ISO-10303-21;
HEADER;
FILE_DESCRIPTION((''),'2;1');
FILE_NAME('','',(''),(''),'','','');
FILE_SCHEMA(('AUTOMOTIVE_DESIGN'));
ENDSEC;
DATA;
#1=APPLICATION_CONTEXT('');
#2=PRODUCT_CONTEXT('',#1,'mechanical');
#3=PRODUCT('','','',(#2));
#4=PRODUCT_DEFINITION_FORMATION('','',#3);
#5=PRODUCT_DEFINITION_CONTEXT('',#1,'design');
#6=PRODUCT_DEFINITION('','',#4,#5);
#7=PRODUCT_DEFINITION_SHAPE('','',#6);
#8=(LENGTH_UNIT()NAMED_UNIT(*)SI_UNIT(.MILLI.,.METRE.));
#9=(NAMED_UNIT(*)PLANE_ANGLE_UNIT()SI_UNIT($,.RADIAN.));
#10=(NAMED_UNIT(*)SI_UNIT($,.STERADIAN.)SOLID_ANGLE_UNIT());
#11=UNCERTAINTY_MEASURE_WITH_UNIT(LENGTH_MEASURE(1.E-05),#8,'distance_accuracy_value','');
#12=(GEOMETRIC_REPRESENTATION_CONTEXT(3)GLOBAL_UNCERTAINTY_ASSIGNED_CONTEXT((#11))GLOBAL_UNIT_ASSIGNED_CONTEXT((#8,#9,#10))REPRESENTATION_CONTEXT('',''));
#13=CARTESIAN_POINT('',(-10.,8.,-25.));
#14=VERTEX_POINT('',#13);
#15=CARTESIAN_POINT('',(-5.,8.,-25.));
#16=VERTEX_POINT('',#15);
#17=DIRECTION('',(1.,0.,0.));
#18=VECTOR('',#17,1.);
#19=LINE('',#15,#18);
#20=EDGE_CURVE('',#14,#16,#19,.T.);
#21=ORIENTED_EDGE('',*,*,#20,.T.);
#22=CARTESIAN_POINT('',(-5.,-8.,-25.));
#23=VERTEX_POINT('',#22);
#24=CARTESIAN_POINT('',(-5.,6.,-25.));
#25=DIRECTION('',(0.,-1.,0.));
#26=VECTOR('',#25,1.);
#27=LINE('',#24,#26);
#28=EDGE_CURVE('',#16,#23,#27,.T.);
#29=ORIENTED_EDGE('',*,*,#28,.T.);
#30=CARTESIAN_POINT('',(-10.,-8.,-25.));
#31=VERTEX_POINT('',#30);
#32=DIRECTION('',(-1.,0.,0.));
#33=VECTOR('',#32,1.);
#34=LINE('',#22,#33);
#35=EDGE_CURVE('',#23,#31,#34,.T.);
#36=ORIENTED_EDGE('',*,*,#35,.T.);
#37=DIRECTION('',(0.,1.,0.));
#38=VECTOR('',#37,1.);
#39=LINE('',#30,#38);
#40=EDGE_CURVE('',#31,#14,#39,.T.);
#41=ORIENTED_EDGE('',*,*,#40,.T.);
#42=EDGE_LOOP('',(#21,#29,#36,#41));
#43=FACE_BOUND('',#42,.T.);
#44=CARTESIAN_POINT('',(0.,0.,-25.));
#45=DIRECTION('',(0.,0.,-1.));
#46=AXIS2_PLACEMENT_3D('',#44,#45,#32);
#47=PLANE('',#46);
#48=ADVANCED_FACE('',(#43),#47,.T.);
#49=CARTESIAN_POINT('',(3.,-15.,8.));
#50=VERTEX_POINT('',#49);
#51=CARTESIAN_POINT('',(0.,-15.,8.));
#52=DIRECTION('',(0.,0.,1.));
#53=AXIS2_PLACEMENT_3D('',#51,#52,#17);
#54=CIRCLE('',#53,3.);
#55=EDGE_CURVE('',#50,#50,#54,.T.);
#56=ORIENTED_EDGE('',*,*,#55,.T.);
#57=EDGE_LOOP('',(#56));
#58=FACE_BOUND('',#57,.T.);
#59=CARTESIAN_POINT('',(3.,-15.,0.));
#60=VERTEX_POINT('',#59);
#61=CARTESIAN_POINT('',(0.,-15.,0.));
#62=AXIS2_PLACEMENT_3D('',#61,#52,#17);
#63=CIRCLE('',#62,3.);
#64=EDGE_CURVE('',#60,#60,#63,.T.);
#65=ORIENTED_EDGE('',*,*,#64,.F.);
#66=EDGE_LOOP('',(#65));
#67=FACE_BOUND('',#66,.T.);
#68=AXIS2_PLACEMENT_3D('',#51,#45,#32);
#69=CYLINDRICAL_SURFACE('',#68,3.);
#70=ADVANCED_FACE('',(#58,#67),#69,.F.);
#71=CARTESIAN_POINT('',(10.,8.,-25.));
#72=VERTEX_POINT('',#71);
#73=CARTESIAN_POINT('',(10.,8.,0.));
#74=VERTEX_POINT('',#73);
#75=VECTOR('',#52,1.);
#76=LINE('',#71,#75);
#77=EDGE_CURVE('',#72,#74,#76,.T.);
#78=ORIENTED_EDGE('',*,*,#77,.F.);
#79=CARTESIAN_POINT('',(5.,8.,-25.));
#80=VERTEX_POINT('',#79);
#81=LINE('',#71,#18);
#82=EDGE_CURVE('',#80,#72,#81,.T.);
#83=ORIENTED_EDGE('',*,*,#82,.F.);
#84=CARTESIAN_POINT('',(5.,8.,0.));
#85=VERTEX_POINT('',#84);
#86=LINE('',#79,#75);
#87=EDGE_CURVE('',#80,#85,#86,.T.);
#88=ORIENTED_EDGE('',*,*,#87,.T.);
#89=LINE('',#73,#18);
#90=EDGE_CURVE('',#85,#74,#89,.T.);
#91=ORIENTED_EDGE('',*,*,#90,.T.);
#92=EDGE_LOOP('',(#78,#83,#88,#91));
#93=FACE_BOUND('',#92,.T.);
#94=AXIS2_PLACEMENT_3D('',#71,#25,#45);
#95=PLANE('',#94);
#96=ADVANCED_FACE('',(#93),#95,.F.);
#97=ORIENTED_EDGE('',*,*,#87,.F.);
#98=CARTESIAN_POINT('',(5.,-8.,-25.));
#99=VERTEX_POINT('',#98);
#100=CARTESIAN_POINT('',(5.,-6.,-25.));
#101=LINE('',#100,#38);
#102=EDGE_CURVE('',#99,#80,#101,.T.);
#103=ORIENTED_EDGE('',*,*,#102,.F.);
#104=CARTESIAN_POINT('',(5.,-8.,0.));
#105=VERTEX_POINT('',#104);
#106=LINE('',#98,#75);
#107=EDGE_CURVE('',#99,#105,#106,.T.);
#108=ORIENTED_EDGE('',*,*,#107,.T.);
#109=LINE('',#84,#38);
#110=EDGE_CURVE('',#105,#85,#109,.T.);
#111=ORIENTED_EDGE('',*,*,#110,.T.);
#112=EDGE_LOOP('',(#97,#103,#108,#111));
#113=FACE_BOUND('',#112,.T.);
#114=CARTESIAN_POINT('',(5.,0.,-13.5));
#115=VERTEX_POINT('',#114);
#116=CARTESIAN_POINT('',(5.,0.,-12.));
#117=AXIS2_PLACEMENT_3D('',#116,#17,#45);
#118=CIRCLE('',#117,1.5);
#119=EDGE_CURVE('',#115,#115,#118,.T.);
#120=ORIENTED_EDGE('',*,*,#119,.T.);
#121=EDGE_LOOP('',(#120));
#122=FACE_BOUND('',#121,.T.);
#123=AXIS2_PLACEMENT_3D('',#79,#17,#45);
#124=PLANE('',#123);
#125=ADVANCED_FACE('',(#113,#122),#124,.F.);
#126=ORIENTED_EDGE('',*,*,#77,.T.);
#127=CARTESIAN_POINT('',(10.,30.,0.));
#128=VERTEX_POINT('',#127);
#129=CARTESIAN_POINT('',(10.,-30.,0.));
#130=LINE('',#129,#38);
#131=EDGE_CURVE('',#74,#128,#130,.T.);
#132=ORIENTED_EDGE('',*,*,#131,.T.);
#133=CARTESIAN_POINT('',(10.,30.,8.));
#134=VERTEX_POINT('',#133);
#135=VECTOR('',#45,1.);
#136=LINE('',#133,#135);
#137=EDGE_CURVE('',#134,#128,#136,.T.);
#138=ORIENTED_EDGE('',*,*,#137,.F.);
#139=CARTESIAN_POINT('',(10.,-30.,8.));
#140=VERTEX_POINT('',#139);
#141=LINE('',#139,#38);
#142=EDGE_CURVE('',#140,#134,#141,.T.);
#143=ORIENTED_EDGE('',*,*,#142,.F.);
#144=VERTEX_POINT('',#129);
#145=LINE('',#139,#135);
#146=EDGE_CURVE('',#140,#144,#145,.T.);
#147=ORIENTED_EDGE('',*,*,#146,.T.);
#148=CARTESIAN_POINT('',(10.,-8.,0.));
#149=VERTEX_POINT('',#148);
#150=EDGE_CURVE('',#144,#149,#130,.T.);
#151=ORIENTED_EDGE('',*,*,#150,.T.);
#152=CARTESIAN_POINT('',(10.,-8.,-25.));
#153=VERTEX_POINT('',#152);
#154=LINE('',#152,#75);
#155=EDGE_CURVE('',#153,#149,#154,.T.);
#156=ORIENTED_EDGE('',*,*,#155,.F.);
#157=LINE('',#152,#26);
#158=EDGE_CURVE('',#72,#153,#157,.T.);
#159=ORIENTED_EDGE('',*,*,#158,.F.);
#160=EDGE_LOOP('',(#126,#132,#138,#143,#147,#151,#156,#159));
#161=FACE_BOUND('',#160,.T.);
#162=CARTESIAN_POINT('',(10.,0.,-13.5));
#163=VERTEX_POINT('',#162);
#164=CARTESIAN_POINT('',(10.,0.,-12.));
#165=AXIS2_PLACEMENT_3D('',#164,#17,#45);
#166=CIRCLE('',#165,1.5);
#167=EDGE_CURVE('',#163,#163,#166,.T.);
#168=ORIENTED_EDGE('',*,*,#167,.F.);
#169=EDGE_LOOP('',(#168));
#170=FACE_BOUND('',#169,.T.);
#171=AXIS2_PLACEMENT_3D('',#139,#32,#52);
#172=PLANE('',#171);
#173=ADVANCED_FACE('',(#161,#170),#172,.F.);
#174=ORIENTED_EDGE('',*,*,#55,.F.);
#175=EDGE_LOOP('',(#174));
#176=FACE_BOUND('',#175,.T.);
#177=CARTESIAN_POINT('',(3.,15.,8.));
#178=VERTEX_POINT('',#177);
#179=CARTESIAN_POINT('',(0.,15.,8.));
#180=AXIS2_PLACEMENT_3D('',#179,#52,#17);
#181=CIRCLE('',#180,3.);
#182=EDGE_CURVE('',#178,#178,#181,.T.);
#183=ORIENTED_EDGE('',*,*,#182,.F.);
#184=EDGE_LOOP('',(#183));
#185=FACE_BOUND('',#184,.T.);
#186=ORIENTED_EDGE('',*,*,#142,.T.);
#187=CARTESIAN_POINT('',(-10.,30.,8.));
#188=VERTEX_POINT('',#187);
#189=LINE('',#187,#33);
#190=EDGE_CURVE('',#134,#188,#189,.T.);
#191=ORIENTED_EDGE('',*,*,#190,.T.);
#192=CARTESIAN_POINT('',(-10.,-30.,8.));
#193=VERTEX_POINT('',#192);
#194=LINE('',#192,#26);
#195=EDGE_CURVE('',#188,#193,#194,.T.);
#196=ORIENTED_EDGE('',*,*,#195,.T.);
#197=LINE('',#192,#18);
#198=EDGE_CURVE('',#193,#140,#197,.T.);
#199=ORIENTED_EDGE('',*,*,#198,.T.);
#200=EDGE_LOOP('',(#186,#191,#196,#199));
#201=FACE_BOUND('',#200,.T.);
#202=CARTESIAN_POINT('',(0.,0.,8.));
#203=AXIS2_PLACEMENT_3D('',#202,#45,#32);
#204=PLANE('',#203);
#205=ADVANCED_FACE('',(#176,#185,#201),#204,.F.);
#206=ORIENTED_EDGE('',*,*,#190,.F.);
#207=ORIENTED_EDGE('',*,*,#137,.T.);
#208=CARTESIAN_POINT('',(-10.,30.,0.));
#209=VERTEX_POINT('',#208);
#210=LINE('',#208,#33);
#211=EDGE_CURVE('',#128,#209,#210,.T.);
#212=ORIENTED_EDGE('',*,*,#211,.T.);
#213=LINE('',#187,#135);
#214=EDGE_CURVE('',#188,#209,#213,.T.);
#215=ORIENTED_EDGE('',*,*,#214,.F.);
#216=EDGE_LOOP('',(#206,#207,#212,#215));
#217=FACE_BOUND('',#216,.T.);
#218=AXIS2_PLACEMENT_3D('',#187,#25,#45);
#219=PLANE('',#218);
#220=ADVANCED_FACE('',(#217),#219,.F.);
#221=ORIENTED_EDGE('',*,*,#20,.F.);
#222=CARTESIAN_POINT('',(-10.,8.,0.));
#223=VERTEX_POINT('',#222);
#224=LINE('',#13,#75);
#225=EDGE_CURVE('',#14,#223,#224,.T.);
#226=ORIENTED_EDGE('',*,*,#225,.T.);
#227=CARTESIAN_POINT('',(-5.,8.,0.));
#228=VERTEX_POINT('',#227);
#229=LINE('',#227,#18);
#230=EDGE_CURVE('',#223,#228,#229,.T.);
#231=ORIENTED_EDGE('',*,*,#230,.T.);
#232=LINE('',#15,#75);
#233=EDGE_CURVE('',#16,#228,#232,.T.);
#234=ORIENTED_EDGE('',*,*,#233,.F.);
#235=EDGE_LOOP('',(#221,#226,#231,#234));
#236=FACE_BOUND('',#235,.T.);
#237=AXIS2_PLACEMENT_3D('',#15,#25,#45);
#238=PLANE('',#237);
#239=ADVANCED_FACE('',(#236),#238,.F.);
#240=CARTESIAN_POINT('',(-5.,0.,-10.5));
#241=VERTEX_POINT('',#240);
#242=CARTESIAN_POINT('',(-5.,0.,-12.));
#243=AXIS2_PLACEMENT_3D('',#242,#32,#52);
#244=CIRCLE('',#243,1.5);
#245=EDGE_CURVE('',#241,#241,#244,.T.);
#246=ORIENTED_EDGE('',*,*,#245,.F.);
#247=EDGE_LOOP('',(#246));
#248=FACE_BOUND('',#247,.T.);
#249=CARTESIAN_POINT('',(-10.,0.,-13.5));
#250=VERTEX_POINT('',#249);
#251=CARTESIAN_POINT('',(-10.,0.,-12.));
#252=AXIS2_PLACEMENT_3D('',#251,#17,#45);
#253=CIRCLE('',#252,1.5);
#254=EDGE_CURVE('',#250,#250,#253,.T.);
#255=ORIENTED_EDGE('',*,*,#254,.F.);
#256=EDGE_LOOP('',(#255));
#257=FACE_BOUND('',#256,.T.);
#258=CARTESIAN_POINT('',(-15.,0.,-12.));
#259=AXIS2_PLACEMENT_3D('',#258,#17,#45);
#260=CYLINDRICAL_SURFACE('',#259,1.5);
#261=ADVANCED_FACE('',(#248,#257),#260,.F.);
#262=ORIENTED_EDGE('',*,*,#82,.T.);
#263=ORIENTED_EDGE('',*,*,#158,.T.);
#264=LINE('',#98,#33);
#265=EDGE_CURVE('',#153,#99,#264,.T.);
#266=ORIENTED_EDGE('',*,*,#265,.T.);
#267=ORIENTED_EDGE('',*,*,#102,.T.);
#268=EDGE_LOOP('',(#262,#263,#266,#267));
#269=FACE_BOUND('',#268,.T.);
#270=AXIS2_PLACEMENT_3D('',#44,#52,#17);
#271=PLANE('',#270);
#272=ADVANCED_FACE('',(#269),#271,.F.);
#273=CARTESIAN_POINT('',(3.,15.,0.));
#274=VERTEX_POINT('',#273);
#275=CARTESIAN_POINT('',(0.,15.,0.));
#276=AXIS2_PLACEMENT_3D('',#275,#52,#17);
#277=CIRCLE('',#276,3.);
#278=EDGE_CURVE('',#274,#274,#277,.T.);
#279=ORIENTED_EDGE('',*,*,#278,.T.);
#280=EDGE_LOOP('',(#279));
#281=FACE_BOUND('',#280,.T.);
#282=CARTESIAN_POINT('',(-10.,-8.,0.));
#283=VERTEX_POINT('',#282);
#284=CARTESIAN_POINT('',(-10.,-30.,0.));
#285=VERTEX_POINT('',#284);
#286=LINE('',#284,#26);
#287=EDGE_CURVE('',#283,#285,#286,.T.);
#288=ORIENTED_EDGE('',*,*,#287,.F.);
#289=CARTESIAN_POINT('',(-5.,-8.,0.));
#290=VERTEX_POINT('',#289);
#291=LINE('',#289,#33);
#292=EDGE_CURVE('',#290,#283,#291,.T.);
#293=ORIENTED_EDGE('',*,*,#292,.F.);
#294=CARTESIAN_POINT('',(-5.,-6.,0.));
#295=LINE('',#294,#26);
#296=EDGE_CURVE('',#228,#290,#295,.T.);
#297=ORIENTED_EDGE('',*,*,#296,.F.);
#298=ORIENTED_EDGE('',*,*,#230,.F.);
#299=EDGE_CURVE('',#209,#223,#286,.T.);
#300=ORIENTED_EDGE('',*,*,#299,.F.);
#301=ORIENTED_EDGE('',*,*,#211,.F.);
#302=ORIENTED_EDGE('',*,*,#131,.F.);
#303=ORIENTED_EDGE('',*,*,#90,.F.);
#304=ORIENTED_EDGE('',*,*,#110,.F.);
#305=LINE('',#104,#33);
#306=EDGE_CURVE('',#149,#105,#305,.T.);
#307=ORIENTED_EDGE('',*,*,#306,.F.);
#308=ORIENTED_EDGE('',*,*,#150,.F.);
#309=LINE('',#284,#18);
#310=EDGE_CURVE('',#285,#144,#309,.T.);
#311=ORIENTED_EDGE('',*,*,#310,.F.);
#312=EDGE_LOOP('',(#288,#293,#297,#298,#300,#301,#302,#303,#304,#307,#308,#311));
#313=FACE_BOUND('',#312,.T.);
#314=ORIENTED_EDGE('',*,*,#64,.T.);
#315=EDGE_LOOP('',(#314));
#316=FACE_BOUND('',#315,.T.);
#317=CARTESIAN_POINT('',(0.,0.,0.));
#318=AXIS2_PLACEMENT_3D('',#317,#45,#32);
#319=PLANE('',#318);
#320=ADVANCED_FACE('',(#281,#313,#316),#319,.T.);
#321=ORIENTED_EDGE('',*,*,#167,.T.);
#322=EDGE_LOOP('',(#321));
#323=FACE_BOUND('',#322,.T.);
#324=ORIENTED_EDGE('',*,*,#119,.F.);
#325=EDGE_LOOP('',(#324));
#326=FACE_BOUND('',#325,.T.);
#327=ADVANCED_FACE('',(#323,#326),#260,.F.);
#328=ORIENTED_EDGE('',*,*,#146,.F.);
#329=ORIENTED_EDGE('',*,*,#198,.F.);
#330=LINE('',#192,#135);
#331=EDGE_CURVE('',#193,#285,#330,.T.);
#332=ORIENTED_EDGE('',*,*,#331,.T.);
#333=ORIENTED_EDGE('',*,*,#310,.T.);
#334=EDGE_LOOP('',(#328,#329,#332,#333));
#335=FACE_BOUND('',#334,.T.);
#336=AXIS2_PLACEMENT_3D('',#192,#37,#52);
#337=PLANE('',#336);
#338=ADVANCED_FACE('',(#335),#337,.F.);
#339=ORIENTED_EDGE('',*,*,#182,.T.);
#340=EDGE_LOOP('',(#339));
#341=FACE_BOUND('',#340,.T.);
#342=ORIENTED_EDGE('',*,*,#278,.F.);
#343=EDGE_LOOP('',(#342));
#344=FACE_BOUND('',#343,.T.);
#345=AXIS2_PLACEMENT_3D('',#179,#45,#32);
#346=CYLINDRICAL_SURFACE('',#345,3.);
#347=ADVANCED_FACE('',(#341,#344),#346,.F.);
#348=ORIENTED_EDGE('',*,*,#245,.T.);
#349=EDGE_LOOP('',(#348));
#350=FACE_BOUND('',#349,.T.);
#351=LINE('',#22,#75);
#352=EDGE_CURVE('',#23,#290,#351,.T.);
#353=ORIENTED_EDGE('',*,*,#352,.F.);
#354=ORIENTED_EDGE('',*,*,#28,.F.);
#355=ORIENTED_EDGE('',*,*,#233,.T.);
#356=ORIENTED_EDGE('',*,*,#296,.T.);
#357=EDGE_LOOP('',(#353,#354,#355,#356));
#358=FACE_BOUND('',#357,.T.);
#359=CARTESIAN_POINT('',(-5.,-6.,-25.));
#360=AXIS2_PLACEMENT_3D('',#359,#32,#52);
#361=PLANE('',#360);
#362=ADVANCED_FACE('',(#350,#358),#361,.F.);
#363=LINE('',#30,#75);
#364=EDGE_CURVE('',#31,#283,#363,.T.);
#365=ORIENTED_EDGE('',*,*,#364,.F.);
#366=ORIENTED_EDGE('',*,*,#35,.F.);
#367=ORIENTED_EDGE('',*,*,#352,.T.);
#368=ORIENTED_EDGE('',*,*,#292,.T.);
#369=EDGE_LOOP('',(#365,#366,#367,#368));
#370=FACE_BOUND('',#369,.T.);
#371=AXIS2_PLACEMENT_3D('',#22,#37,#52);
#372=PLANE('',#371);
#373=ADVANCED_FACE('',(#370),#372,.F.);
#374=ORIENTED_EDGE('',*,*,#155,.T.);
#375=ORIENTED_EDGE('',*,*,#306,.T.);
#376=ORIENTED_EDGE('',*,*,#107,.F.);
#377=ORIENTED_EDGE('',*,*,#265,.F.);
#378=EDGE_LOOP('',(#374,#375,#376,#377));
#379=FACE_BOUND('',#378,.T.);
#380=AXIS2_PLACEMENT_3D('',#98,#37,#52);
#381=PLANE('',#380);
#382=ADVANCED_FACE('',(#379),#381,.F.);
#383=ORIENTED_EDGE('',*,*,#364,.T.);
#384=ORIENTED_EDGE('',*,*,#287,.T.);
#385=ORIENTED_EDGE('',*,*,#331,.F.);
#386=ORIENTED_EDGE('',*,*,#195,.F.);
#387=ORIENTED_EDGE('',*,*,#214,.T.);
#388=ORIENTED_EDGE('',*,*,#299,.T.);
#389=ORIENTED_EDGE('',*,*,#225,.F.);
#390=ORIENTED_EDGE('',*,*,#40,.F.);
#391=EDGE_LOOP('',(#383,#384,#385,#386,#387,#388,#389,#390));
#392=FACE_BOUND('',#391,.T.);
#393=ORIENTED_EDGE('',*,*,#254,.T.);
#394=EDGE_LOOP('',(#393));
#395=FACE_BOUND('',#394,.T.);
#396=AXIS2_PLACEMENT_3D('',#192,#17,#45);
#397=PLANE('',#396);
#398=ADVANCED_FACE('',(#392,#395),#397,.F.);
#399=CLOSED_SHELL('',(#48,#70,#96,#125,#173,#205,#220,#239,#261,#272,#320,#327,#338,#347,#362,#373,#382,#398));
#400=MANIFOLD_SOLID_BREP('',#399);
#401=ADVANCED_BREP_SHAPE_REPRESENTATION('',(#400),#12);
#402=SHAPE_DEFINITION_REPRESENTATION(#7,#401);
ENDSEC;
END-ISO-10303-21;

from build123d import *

# Parameters (mm, degrees)
SKETCH_1_W          = 20
SKETCH_1_H          = 60
SKETCH_1_R          = 3
EXTRUDE_1_DEPTH     = 8
EXTRUDE_3_DEPTH     = 25
SKETCH_4_R          = 1.5
CUT_EXTRUDE_1_DEPTH = 25


with BuildPart() as part:
    # 草图1 → 凸台-拉伸1 (new body)
    with BuildSketch(Plane.XY):
        Rectangle(SKETCH_1_W, SKETCH_1_H)
        with Locations((0, 15)):
            Circle(SKETCH_1_R, mode=Mode.SUBTRACT)
        with Locations((0, -15)):
            Circle(SKETCH_1_R, mode=Mode.SUBTRACT)
    extrude(amount=EXTRUDE_1_DEPTH)

    # 草图3 → 凸台-拉伸3 (add)
    with BuildSketch(Plane(origin=(0, 0, 0), x_dir=(-1, 0, 0), z_dir=(0, 0, -1))):
        Polygon((-5, -6), (-5, -8), (-10, -8), (-10, 8), (-5, 8), (-5, 6), align=None)
        Polygon((10, -8), (10, 8), (5, 8), (5, 6), (5, -6), (5, -8), align=None)
    extrude(amount=EXTRUDE_3_DEPTH)

    # 草图4 → 切除-拉伸1 (cut)
    with BuildSketch(Plane(origin=(10, 0, 0), x_dir=(0, 0, -1), z_dir=(1, 0, 0))):
        with Locations((12, 0)):
            Circle(SKETCH_4_R)
    extrude(amount=-CUT_EXTRUDE_1_DEPTH, mode=Mode.SUBTRACT)


solid = part.part
